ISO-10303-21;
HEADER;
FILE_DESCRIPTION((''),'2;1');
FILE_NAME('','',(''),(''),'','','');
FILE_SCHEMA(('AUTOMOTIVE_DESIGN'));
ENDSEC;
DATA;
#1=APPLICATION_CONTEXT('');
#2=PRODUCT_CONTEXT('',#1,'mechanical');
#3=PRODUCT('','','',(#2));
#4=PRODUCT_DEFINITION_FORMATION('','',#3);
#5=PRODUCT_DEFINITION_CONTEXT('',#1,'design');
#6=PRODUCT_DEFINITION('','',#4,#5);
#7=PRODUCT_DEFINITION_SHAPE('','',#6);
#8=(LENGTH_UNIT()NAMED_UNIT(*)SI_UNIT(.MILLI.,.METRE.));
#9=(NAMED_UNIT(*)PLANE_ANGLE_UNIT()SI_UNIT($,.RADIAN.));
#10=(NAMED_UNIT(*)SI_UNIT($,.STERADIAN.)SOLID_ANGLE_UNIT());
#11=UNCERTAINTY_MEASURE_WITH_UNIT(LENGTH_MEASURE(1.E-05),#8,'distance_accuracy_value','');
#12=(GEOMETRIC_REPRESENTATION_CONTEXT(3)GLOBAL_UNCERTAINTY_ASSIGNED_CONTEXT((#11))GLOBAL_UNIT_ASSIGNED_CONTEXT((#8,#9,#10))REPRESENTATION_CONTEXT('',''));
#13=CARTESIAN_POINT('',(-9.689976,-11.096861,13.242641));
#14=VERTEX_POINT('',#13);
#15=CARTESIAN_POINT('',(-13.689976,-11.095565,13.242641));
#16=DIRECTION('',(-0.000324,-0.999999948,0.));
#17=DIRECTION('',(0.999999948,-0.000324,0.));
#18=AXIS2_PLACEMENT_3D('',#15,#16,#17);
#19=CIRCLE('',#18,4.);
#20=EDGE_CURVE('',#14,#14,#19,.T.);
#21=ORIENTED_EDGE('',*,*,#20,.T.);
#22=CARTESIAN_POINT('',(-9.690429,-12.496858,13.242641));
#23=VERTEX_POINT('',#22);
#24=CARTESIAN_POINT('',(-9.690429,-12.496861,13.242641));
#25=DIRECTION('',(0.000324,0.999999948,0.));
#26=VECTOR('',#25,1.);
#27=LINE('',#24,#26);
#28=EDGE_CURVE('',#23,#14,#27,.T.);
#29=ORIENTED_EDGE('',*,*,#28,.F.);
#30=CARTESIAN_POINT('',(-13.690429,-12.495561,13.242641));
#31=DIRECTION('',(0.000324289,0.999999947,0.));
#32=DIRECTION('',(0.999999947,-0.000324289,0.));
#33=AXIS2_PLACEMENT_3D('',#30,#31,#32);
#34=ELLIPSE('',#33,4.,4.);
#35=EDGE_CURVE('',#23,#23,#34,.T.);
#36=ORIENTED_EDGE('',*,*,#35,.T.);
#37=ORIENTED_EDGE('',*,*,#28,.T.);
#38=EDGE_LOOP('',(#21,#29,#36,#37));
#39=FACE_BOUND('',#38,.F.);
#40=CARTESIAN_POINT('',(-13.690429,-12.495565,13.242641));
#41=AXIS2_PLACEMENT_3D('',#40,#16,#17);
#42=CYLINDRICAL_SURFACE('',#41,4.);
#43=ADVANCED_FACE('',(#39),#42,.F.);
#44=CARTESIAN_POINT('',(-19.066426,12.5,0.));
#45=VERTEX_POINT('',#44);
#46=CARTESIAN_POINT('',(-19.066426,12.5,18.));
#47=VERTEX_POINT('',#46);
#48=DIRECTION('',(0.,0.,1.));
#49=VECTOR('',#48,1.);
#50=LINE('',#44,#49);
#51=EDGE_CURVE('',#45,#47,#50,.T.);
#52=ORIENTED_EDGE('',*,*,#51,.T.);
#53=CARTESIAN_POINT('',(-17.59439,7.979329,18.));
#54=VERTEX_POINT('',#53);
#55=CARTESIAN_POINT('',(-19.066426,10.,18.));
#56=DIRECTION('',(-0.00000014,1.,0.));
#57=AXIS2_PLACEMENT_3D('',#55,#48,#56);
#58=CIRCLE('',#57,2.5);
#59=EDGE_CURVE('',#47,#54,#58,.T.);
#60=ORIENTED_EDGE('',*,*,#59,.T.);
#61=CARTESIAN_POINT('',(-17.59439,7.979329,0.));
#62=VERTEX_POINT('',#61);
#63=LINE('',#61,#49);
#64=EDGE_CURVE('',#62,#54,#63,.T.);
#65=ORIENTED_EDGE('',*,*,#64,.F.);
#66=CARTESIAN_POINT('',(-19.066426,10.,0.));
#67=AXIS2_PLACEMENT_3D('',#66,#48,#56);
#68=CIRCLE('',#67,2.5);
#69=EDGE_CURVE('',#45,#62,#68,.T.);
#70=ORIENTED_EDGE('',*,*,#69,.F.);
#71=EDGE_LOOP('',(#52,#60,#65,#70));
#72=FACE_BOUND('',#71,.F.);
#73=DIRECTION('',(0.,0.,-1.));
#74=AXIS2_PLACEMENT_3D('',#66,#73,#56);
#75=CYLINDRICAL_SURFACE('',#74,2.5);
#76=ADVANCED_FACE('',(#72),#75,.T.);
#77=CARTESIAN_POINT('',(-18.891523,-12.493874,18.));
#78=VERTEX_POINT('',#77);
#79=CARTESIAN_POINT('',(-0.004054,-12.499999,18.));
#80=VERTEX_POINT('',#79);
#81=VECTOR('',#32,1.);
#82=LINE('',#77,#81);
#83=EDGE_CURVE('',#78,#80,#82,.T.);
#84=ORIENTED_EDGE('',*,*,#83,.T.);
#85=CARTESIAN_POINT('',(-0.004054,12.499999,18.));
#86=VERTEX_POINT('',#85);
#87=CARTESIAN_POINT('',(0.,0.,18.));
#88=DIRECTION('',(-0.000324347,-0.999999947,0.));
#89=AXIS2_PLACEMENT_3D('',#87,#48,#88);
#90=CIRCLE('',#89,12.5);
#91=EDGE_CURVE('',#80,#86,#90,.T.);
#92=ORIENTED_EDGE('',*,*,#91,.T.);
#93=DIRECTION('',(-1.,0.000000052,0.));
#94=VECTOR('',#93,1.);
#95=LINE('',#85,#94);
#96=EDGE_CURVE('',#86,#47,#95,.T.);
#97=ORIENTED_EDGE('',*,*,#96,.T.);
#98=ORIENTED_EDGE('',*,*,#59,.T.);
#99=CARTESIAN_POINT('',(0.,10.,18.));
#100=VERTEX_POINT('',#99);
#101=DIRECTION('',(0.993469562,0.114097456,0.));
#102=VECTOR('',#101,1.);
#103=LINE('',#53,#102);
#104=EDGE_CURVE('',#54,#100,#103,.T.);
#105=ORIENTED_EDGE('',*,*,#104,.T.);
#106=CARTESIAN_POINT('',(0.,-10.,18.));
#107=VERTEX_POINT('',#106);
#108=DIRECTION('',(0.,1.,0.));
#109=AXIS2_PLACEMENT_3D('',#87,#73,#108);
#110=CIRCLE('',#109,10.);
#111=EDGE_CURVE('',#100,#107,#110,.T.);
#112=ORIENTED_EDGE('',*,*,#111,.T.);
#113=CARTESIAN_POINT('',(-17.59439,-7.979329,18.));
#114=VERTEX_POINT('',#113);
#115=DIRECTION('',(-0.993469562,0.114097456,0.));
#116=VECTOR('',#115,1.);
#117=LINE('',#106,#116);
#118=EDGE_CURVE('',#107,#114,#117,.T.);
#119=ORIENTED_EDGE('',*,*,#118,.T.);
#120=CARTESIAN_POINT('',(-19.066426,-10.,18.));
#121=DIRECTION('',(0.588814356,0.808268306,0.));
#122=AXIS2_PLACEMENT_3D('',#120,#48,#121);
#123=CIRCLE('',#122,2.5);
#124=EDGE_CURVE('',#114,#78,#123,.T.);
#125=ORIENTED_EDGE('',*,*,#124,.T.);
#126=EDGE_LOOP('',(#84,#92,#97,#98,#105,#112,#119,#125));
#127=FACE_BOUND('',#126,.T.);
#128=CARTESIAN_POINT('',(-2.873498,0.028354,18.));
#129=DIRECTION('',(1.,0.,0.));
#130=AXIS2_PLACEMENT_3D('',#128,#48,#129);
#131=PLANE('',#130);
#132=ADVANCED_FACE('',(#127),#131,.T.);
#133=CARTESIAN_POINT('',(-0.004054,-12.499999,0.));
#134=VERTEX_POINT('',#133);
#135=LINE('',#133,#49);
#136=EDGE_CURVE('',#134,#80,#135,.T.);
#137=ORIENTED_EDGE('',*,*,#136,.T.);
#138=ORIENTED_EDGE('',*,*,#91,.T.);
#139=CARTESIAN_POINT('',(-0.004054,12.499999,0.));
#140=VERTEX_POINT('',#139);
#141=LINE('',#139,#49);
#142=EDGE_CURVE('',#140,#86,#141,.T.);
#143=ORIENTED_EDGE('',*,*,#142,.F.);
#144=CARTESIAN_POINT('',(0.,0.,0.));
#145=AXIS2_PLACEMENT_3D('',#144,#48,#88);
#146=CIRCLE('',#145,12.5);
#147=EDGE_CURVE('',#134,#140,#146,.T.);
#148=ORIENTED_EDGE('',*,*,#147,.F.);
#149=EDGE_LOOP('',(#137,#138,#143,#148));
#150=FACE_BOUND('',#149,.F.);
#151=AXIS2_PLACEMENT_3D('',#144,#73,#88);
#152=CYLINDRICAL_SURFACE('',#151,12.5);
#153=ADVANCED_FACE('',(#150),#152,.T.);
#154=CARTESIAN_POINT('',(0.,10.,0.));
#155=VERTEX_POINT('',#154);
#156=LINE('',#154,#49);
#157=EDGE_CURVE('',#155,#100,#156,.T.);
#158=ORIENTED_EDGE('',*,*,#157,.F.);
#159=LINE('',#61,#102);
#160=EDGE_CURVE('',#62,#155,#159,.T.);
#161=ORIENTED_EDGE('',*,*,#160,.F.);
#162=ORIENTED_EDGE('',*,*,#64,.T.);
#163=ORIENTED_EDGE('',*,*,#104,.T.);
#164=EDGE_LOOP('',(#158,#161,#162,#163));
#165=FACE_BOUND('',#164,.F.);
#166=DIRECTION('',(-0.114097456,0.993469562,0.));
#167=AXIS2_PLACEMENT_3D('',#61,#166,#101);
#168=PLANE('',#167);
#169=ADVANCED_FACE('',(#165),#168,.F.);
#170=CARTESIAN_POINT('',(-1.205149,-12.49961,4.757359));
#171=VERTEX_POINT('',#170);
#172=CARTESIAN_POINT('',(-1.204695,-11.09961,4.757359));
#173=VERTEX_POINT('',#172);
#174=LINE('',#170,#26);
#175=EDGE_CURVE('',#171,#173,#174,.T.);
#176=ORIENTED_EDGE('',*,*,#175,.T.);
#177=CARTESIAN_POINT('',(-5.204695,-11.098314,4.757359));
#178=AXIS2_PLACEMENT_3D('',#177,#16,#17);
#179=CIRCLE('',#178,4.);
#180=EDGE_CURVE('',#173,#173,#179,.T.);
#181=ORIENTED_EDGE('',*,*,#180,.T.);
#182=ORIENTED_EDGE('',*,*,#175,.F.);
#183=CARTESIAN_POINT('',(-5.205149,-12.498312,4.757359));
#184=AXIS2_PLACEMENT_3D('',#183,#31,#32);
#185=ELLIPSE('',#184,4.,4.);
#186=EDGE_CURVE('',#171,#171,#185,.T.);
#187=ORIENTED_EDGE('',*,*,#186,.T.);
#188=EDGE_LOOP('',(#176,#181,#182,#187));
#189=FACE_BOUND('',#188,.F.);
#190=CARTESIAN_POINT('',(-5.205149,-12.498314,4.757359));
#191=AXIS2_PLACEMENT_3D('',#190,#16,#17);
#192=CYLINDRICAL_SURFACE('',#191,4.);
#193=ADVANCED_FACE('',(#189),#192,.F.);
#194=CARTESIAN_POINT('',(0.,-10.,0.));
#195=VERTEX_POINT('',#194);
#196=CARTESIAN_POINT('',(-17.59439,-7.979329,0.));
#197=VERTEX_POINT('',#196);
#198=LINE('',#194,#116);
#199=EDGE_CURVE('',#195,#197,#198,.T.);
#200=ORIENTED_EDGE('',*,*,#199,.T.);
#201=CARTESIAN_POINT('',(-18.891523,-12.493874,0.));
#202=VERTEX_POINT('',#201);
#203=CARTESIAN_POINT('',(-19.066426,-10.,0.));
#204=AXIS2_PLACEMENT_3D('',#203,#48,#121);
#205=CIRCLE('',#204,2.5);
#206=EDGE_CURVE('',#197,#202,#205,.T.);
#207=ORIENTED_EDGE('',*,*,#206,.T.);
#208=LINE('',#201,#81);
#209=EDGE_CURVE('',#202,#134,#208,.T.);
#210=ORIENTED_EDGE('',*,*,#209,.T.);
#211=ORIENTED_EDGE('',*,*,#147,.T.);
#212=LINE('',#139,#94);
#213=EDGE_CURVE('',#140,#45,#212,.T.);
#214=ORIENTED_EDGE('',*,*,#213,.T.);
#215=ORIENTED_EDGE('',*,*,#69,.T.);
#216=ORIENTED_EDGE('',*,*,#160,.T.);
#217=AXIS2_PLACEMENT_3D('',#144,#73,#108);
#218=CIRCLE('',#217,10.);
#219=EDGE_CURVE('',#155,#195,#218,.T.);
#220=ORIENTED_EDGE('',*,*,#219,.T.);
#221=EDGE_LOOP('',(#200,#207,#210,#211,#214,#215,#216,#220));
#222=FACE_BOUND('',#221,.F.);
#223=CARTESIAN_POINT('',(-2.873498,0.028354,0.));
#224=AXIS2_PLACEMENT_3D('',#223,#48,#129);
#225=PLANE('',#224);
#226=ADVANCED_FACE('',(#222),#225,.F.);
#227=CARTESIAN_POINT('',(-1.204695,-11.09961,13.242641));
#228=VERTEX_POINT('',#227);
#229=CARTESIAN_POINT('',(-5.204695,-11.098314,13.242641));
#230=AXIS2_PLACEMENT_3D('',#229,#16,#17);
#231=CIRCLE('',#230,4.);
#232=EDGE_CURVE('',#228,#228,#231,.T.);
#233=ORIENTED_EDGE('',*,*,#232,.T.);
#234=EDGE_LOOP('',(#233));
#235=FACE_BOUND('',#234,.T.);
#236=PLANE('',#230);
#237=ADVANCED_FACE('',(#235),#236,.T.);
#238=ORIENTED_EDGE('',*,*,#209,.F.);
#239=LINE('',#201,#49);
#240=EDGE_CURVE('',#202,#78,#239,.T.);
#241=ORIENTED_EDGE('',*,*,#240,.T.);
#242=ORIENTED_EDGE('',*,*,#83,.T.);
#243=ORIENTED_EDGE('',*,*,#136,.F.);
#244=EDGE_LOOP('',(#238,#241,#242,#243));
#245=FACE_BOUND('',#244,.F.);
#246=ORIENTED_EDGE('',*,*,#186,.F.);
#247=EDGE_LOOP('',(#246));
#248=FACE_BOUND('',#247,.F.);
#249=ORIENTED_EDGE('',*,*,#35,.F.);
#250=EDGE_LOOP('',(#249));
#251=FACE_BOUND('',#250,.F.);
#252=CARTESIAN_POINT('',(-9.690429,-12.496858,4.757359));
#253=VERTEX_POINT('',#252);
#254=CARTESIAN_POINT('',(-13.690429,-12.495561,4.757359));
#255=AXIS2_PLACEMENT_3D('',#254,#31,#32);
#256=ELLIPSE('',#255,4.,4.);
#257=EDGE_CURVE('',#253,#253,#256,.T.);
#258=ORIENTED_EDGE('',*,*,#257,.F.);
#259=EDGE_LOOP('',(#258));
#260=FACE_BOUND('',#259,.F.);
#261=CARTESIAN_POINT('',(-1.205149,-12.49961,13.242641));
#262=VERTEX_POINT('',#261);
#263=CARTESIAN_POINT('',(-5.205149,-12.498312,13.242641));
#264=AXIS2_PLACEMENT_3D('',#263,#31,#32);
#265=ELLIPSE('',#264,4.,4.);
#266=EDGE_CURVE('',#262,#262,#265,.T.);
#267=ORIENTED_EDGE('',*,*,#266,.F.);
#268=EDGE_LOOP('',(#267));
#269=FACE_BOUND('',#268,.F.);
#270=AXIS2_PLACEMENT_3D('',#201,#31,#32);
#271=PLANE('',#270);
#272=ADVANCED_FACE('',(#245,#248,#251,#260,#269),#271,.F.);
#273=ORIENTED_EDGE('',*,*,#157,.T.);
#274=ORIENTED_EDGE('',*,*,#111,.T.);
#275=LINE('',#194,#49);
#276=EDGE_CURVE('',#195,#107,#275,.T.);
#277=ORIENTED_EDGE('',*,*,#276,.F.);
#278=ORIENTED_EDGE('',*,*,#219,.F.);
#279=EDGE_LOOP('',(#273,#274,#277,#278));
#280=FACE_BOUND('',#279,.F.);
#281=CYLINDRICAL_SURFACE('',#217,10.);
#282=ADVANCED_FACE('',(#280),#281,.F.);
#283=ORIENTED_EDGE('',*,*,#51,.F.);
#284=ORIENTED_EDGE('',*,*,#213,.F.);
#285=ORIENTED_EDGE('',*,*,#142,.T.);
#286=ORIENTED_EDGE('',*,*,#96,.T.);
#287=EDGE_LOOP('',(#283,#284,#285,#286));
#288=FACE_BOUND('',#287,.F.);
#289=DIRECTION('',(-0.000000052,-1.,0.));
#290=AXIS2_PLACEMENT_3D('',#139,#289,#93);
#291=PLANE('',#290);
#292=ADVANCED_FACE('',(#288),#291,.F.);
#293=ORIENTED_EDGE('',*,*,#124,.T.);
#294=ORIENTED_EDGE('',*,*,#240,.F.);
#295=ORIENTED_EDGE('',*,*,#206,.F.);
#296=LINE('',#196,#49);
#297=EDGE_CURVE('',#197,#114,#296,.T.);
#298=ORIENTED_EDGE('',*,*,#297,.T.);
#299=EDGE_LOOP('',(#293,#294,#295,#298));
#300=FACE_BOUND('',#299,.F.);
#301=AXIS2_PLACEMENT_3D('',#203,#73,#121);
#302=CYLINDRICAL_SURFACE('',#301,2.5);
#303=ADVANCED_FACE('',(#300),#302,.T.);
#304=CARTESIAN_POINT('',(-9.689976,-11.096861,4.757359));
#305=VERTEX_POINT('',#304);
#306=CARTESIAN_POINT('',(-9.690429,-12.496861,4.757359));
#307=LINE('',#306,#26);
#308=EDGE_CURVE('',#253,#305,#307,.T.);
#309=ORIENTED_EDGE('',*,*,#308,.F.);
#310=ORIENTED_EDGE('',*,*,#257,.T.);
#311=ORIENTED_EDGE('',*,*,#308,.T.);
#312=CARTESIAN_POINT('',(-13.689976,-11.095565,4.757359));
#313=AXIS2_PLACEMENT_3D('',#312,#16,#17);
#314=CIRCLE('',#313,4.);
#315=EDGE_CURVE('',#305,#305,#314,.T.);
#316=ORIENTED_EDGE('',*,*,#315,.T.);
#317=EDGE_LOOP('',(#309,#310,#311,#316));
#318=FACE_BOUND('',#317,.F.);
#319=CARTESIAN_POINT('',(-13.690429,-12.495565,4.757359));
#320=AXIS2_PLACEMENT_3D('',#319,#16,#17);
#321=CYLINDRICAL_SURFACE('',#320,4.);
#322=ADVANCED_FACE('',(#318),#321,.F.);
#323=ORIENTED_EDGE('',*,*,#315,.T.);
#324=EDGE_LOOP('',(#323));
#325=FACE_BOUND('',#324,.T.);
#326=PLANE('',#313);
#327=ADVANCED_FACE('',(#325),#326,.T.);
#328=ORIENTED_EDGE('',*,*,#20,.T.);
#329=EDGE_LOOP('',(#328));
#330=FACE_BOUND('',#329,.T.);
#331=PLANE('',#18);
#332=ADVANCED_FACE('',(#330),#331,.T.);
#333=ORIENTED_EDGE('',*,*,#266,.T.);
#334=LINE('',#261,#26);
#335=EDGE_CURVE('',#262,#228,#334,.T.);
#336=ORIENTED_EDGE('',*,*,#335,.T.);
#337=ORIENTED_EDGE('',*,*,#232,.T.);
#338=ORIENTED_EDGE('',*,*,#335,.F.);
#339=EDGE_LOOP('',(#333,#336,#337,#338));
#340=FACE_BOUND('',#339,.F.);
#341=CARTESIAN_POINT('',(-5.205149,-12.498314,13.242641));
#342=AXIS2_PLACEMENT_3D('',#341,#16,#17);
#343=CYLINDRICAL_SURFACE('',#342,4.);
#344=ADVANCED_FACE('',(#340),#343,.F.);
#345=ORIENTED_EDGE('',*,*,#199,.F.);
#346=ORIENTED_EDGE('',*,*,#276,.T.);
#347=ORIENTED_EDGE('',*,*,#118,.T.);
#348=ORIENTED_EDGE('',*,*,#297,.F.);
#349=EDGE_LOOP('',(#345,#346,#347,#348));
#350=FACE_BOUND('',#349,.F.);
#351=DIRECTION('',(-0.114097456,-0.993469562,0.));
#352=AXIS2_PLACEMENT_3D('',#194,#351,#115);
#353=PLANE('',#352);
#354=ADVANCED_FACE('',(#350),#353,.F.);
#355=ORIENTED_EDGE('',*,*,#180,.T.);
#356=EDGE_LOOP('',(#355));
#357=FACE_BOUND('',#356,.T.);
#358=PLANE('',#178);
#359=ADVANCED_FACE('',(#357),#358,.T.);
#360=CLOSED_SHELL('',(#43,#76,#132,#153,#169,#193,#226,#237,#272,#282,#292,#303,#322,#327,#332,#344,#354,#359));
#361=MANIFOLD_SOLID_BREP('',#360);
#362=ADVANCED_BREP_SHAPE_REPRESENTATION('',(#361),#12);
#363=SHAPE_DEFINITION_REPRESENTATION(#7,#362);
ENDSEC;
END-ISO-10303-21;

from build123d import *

# Parameters (mm, degrees)
F1_DEPTH = 18
F2_R     = 4
F3_DEPTH = 1.4


with BuildPart() as f1:
    # F0 (on Top) → F1 (new body)
    with BuildSketch(Plane.XY):
        with BuildLine():
            ThreePointArc((0, 10), (10, 0), (0, -10))
            Line((0, -10), (-17.59439, -7.979329))
            ThreePointArc((-17.59439, -7.979329), (-16.838188, -8.866441), (-16.566426, -10))
            ThreePointArc((-16.566426, -10), (-17.237867, -11.704809), (-18.891523, -12.493874))
            Line((-18.891523, -12.493874), (-0.004054, -12.499999))
            ThreePointArc((-0.004054, -12.499999), (12.5, 0), (-0.004054, 12.499999))
            Line((-0.004054, 12.499999), (-19.066426, 12.5))
            ThreePointArc((-19.066426, 12.5), (-17.298659, 11.767767), (-16.566426, 10))
            ThreePointArc((-16.566426, 10), (-16.838188, 8.866441), (-17.59439, 7.979329))
            Line((-17.59439, 7.979329), (0, 10))
        make_face()
        with BuildLine():
            ThreePointArc((-16.566426, -10), (-16.838188, -8.866441), (-17.59439, -7.979329))
            ThreePointArc((-17.59439, -7.979329), (-21.469212, -9.309624), (-18.891523, -12.493874))
            ThreePointArc((-18.891523, -12.493874), (-17.237867, -11.704809), (-16.566426, -10))
        make_face()
        with BuildLine():
            ThreePointArc((-19.066426, 12.5), (-21.443575, 9.225945), (-17.59439, 7.979329))
            ThreePointArc((-17.59439, 7.979329), (-16.838188, 8.866441), (-16.566426, 10))
            ThreePointArc((-16.566426, 10), (-17.298659, 11.767767), (-19.066426, 12.5))
        make_face()
    extrude(amount=F1_DEPTH)

    # F2 (on face) → F3 (cut)
    with BuildSketch(Plane(origin=(-0.004054, -12.499999, 0), x_dir=(1, -0.000324, 0), z_dir=(-0.000324, -1, 0))):
        with Locations((-13.686376, 4.757359)):
            Circle(F2_R)
        with Locations((-13.686376, 13.242641)):
            Circle(F2_R)
        with Locations((-5.201095, 13.242641)):
            Circle(F2_R)
        with Locations((-5.201095, 4.757359)):
            Circle(F2_R)
    extrude(amount=-F3_DEPTH, mode=Mode.SUBTRACT)


solid = f1.part
